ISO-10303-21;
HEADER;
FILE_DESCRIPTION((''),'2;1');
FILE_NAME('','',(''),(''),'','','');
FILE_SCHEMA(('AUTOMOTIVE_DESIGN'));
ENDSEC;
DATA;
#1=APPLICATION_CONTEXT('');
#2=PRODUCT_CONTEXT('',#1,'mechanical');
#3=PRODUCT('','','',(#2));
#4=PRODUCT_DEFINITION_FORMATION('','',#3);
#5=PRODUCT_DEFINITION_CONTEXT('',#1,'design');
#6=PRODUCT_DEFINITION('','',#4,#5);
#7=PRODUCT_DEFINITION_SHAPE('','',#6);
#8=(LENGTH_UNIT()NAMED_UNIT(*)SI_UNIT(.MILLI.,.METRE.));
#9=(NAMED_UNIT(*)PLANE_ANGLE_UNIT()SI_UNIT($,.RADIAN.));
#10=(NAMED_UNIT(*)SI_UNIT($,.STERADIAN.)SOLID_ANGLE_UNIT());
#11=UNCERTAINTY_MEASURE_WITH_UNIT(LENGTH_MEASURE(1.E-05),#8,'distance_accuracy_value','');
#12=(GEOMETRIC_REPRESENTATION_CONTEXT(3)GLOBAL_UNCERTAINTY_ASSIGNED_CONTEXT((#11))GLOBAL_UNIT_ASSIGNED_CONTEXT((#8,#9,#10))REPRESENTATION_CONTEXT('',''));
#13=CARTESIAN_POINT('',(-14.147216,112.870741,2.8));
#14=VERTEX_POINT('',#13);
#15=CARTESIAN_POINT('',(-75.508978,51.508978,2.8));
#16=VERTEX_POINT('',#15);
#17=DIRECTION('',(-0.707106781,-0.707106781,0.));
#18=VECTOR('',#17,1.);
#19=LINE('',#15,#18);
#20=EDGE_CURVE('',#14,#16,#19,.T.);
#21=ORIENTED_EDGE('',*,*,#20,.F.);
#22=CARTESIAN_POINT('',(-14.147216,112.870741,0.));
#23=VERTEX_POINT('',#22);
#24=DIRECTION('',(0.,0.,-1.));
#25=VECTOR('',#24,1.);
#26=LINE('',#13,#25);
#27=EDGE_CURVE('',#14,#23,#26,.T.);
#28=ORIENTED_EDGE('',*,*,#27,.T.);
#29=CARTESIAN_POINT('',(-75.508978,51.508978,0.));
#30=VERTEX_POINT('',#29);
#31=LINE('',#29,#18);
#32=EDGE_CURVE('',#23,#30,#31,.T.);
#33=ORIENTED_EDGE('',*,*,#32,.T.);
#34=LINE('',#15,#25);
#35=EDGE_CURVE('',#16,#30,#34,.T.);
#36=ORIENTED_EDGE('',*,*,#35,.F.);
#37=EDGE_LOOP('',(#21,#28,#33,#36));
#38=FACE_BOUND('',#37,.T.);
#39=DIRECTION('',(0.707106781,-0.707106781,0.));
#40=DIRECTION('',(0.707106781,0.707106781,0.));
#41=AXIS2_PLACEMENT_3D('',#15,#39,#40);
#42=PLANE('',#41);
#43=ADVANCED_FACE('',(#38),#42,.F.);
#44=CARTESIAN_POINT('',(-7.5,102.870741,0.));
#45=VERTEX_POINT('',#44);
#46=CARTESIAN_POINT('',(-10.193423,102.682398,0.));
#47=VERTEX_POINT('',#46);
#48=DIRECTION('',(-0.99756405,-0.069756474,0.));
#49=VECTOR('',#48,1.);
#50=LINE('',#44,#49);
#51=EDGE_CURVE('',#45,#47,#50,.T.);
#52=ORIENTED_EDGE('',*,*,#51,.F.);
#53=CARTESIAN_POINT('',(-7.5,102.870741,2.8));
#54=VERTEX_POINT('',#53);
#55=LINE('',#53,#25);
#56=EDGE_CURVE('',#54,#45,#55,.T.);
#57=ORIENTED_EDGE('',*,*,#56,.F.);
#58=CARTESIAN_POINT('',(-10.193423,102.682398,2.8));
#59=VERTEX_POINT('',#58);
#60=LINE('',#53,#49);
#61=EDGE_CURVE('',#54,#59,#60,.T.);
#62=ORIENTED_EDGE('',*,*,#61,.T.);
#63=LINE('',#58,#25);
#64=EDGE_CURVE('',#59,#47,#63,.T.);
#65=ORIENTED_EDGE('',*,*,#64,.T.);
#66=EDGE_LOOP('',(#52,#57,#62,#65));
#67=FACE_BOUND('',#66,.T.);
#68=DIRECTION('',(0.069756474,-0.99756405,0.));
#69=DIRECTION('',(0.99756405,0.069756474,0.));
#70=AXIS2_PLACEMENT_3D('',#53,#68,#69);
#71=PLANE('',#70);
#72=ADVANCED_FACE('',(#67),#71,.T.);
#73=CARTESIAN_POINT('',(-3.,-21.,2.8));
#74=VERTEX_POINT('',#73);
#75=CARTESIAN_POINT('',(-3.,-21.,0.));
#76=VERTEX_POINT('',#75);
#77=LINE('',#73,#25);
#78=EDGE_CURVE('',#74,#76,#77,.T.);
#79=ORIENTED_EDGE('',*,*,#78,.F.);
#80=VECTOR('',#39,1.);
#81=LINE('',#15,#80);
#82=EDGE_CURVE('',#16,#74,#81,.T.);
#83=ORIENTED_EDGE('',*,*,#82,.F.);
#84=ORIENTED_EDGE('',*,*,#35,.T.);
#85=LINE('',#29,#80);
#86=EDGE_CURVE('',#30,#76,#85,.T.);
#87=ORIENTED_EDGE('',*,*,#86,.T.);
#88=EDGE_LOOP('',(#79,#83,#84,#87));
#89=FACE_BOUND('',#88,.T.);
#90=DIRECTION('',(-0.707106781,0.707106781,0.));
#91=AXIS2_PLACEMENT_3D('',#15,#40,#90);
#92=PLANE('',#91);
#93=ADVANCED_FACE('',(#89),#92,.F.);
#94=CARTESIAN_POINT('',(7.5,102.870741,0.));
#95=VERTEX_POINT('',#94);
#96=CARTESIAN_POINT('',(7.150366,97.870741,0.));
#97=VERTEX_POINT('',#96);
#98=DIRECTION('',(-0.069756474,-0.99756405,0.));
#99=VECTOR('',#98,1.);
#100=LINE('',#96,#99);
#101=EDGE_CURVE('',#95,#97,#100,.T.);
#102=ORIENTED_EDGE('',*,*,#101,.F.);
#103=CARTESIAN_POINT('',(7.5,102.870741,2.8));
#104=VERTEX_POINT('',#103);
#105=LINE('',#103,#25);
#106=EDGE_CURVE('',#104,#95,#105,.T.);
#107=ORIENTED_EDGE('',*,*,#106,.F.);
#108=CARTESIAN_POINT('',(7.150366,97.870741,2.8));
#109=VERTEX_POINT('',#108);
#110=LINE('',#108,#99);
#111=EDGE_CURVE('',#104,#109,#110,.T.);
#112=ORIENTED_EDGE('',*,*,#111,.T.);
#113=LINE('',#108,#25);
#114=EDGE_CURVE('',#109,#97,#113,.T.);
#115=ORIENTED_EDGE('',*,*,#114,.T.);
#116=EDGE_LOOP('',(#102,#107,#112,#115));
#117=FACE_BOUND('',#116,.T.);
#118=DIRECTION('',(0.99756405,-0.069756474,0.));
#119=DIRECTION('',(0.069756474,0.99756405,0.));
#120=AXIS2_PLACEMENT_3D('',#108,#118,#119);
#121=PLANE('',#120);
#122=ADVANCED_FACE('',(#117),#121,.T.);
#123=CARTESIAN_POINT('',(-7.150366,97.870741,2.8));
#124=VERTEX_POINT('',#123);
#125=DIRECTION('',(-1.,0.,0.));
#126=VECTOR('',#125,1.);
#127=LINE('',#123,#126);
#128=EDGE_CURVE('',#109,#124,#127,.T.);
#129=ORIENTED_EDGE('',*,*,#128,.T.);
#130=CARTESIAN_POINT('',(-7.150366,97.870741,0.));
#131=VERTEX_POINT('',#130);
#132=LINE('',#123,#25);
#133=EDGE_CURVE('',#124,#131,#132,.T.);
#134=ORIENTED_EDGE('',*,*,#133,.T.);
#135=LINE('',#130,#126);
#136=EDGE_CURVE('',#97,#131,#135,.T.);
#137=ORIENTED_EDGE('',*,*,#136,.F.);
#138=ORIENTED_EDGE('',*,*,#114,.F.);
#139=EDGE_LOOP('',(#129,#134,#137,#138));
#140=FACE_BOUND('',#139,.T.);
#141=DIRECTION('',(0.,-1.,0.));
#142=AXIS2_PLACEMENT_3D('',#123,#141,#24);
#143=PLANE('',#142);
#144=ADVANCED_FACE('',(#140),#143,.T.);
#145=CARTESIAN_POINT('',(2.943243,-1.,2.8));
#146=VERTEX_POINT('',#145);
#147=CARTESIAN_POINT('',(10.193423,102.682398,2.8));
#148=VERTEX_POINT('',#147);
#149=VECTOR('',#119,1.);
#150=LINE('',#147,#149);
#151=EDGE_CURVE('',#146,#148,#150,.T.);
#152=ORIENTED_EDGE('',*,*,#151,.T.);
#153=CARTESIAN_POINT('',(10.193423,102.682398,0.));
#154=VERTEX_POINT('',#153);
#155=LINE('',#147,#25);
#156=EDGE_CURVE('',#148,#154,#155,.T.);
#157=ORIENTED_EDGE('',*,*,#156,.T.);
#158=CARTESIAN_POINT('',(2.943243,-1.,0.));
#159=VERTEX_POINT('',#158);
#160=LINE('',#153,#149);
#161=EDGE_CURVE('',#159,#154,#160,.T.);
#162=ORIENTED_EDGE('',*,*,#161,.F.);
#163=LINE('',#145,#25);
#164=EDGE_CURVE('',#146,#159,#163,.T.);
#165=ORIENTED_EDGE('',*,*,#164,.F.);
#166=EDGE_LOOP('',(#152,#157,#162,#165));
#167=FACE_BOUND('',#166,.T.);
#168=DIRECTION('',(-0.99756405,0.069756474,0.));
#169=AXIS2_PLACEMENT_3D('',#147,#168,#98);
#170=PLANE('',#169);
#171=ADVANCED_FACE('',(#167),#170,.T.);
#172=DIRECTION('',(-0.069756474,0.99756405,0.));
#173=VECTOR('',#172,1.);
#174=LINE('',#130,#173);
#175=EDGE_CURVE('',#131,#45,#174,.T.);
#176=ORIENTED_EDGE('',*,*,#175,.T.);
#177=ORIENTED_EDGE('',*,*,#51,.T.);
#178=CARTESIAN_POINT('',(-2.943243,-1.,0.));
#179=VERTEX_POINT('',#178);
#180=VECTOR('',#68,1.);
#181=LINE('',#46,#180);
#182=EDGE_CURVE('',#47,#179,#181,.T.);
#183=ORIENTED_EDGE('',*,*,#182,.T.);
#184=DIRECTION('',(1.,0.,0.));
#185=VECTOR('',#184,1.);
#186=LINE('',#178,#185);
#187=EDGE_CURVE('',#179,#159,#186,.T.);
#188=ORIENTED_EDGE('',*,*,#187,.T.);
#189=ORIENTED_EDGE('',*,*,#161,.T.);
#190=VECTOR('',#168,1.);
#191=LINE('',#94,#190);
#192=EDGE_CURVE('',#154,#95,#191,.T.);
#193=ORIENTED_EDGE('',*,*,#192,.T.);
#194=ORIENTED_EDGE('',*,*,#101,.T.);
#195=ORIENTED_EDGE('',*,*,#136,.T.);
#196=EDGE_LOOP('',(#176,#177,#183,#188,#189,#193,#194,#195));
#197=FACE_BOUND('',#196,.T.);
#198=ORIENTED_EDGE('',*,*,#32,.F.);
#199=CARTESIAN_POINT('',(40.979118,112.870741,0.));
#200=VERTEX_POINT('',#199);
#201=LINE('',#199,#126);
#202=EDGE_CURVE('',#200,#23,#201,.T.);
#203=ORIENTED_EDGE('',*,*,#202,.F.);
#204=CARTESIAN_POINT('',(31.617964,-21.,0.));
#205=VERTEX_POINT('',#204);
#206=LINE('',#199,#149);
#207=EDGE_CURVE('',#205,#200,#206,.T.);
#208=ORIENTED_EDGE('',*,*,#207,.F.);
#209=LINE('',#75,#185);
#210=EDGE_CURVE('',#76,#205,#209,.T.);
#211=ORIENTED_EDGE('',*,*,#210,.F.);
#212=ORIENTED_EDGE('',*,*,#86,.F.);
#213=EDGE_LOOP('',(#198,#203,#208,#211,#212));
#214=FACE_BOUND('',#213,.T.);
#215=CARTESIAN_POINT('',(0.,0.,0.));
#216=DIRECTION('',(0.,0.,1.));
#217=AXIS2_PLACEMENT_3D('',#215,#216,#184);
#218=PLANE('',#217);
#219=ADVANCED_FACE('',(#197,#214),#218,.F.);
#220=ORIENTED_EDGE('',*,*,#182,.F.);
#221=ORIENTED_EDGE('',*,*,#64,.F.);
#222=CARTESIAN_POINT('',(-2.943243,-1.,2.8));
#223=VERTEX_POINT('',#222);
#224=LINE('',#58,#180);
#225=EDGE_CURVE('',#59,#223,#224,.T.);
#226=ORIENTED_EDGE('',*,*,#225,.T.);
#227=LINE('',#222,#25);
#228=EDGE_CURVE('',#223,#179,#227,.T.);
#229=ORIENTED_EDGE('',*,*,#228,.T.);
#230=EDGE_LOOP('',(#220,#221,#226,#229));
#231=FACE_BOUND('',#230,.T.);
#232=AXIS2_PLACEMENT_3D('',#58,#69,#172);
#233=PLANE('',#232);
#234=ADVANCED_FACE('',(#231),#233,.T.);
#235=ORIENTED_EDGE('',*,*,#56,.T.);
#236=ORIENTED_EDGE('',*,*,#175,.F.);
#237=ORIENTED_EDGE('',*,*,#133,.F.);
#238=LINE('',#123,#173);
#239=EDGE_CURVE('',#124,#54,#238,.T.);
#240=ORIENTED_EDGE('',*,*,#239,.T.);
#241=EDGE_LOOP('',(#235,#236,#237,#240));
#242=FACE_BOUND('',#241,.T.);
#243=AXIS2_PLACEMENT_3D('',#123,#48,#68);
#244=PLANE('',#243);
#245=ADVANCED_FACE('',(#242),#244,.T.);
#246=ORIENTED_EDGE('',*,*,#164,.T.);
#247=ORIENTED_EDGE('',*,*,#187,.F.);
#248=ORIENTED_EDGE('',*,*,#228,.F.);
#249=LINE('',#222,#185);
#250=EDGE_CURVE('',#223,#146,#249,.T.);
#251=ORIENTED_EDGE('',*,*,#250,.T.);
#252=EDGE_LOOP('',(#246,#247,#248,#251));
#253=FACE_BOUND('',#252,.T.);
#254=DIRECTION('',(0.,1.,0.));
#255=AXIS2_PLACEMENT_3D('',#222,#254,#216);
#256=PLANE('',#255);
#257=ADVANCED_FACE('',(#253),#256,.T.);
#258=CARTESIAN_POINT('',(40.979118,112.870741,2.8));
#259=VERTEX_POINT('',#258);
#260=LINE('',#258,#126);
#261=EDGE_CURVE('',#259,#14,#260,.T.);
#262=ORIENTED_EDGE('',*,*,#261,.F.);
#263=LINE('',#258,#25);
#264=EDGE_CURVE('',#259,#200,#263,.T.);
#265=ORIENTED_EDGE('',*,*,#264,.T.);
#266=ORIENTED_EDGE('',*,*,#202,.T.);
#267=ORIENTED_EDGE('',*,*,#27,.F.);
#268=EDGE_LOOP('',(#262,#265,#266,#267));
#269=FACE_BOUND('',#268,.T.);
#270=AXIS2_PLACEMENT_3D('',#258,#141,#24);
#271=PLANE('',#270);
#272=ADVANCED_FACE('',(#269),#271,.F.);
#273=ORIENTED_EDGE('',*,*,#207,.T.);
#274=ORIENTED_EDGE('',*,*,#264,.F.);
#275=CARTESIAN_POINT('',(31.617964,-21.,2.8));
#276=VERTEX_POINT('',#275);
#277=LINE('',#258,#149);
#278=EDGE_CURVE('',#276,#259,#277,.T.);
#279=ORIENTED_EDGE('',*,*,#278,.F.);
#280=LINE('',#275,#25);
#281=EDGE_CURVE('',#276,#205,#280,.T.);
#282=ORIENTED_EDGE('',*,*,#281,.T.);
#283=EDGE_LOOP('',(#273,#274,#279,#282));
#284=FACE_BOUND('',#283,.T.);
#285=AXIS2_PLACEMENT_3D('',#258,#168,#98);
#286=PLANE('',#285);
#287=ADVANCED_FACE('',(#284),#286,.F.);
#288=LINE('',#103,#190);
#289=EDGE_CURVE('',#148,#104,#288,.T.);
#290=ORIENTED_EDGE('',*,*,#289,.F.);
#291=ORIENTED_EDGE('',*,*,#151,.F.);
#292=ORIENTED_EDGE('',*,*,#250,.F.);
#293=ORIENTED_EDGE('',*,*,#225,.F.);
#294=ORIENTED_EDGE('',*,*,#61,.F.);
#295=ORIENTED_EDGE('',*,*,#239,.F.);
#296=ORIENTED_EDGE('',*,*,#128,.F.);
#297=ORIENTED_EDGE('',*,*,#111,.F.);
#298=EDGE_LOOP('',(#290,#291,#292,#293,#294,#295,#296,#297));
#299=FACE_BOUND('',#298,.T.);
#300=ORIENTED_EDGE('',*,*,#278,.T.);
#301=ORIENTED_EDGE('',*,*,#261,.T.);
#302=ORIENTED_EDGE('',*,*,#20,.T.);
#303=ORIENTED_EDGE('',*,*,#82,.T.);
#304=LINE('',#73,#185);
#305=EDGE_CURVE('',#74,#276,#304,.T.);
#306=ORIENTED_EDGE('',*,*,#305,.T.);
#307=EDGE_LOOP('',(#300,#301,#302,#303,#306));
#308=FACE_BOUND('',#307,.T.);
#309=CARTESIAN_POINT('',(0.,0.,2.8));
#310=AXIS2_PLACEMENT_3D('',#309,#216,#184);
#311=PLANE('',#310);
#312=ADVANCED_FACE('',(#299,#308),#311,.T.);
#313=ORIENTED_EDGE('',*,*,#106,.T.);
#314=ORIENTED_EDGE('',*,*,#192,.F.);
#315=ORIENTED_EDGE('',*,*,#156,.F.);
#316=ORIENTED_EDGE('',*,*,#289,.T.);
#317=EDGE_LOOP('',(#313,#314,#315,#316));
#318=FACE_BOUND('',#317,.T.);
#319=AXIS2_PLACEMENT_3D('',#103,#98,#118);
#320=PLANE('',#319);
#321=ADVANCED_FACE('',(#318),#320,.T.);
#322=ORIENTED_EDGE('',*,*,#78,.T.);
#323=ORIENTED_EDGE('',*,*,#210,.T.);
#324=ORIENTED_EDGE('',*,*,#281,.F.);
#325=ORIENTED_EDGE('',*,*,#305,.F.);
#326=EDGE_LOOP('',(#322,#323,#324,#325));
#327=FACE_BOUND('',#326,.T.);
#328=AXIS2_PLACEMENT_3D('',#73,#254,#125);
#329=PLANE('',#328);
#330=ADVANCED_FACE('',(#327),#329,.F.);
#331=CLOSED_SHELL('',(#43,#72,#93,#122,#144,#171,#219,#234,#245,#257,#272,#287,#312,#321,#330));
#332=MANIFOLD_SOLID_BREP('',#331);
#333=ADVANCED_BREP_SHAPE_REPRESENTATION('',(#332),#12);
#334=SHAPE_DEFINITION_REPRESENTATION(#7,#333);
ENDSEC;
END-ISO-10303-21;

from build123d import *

# Parameters (mm, degrees)
BOSS_EXTRUDE1_DEPTH = 2.8


with BuildPart() as part:
    # Sketch1 → Boss-Extrude1 (new body)
    with BuildSketch(Plane.XY):
        Polygon((40.979118187, 112.870740647), (-14.14721608, 112.870740647), (-75.508978364, 51.508978364), (-3, -21), (31.617964081, -21), align=None)
        Polygon((-2.943243377, -1), (2.943243377, -1), (10.193422936, 102.682398168), (7.5, 102.870740647), (7.15036594, 97.870740647), (-7.15036594, 97.870740647), (-7.5, 102.870740647), (-10.193422936, 102.682398168), align=None, mode=Mode.SUBTRACT)
    extrude(amount=BOSS_EXTRUDE1_DEPTH)


solid = part.part
